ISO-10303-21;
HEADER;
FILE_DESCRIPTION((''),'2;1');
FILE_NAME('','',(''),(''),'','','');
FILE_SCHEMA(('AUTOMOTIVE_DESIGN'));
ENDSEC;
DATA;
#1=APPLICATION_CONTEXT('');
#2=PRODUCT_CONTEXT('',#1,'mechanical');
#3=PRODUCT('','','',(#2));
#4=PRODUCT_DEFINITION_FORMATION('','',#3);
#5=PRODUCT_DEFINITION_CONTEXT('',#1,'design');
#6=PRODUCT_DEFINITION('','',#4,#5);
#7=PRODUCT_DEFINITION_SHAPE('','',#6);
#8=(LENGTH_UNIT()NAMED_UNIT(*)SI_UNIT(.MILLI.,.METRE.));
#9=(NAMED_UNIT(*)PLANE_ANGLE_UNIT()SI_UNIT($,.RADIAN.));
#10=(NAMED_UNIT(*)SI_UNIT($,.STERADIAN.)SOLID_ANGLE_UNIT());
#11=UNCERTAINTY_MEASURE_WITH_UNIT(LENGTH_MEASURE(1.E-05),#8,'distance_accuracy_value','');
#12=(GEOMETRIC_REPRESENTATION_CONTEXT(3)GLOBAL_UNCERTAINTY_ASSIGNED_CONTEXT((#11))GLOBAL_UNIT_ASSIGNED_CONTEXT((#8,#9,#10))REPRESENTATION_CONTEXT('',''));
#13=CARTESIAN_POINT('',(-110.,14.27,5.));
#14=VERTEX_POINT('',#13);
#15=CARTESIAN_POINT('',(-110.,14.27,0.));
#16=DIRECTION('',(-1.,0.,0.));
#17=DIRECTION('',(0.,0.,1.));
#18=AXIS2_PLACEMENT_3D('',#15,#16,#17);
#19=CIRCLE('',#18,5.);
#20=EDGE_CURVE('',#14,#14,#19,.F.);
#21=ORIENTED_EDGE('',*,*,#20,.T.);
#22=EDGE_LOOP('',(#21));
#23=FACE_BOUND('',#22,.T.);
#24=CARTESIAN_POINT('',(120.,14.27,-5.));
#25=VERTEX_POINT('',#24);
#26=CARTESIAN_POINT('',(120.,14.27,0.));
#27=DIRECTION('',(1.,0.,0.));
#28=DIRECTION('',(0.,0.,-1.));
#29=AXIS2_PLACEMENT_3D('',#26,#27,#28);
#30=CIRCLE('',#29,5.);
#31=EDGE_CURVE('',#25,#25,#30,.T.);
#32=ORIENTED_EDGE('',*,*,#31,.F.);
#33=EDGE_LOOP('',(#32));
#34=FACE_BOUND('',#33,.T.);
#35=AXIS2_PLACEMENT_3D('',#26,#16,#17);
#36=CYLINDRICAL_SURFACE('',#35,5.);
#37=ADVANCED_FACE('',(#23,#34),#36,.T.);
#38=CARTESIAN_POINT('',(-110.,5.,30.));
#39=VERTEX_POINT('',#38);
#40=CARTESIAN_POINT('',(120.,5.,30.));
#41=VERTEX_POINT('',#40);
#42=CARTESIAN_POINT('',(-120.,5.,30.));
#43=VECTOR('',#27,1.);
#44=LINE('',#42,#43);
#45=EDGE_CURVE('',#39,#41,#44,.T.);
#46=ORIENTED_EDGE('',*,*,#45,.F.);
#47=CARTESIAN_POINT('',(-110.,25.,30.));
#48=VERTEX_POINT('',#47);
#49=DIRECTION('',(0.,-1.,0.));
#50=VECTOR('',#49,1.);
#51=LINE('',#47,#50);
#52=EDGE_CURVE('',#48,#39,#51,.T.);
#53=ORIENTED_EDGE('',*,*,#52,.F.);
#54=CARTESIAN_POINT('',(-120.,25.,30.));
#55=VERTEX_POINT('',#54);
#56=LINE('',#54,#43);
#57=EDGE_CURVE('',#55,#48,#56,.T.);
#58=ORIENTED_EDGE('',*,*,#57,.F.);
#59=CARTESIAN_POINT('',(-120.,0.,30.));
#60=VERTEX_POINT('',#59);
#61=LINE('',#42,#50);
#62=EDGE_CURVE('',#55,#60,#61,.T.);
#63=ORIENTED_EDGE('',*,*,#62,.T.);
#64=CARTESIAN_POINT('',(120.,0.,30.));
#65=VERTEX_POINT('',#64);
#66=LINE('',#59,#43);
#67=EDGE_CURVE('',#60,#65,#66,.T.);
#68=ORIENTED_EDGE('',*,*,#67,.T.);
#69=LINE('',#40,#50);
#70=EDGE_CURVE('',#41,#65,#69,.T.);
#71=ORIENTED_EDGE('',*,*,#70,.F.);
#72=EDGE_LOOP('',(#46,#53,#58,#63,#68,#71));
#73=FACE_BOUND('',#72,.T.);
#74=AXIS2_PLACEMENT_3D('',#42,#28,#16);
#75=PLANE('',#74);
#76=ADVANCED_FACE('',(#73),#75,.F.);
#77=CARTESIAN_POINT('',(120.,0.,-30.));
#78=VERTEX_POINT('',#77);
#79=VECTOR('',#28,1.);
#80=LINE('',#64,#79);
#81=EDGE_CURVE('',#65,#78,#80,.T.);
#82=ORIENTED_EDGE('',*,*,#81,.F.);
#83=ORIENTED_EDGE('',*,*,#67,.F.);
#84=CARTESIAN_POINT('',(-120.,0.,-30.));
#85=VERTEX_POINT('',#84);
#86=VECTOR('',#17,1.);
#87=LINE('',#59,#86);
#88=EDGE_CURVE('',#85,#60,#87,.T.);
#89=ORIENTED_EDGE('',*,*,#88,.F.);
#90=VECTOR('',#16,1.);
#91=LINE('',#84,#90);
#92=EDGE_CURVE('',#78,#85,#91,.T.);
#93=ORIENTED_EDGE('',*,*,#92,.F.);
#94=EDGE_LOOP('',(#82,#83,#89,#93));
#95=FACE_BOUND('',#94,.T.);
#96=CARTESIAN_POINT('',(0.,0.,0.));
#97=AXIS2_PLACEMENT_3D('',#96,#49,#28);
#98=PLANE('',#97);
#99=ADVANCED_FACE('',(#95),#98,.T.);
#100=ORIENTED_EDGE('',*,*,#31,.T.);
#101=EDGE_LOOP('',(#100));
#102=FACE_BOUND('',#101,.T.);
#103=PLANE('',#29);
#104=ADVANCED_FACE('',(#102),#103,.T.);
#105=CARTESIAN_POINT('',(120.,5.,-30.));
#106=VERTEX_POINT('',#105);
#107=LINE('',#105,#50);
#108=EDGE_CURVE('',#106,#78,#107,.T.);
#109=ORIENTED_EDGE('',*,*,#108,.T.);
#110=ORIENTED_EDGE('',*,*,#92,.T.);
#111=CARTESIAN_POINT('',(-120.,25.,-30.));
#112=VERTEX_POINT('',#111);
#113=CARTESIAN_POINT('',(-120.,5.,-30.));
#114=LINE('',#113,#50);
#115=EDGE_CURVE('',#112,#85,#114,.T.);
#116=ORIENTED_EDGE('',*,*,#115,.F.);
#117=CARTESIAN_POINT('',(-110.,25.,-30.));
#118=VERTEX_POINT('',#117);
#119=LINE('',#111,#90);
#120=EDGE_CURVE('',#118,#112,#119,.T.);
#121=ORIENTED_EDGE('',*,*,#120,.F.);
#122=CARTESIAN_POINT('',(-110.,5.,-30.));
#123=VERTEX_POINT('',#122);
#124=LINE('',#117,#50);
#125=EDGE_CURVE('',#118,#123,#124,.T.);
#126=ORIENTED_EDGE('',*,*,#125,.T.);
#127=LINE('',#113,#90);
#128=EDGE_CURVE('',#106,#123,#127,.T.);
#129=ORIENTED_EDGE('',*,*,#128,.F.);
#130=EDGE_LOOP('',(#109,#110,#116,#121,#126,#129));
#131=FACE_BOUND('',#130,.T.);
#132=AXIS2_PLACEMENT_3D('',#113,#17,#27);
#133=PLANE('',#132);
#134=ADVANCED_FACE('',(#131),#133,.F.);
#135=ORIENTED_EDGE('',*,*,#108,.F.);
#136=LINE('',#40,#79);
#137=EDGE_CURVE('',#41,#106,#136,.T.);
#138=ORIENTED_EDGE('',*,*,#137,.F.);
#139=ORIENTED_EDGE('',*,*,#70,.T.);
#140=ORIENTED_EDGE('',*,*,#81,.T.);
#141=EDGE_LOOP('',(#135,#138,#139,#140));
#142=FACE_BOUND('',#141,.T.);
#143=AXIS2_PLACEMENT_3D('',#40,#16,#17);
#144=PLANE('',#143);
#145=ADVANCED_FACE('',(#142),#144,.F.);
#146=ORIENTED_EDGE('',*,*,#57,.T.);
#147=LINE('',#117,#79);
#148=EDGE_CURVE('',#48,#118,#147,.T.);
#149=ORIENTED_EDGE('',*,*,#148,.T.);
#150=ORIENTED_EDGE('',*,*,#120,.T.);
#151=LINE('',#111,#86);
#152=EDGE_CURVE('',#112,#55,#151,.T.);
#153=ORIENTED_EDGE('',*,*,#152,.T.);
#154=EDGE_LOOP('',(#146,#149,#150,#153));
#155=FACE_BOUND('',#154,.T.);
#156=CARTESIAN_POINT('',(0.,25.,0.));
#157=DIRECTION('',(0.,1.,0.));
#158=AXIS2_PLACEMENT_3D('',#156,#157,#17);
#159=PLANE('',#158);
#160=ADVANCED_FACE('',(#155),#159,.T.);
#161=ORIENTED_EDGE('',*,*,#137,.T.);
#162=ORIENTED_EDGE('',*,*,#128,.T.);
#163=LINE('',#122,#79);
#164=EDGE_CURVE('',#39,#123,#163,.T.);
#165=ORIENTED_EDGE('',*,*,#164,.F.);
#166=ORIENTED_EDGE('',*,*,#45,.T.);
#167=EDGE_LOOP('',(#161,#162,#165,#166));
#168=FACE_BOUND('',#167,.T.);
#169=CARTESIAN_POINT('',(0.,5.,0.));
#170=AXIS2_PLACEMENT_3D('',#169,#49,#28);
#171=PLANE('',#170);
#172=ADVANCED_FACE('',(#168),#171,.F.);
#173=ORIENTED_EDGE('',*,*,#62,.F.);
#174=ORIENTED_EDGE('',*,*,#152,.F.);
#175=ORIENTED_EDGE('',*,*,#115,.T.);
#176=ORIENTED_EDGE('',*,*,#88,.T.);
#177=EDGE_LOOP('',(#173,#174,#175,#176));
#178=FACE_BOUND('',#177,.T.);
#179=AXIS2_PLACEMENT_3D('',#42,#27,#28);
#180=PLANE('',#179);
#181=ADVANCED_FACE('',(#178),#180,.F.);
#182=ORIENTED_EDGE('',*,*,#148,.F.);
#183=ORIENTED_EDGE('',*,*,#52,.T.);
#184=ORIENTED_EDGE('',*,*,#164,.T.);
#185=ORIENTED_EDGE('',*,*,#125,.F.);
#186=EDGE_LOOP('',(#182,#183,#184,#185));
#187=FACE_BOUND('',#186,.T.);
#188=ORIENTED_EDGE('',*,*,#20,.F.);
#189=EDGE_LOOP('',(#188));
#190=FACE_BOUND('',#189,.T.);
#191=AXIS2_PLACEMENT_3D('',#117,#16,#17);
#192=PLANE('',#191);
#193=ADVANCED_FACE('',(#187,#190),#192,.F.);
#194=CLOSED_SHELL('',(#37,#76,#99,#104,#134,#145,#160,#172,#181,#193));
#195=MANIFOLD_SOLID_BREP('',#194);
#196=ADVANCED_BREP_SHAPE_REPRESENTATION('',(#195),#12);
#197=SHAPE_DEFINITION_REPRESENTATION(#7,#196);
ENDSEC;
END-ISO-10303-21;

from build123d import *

# Parameters (mm, degrees)
SKETCH1_W           = 240
SKETCH1_H           = 60
BOSS_EXTRUDE1_DEPTH = 5
SKETCH2_W           = 10
SKETCH2_H           = 60
BOSS_EXTRUDE2_DEPTH = 20
SKETCH3_R           = 5
BOSS_EXTRUDE3_DEPTH = 230


with BuildPart() as part:
    # Sketch1 → Boss-Extrude1 (new body)
    with BuildSketch(Plane(origin=(0, 0, 0), x_dir=(1, 0, 0), z_dir=(0, 1, 0))):
        Rectangle(SKETCH1_W, SKETCH1_H)
    extrude(amount=BOSS_EXTRUDE1_DEPTH)

    # Sketch2 → Boss-Extrude2 (add)
    with BuildSketch(Plane(origin=(0, 5, 0), x_dir=(1, 0, 0), z_dir=(0, 1, 0))):
        with Locations((-115, 0)):
            Rectangle(SKETCH2_W, SKETCH2_H)
    extrude(amount=BOSS_EXTRUDE2_DEPTH)

    # Sketch3 → Boss-Extrude3 (add, through all)
    with BuildSketch(Plane(origin=(-110, 0, 0), x_dir=(0, 0, -1), z_dir=(1, 0, 0))):
        with Locations(Location((0, 14.27, 0), (0, 0, 180))):
            Circle(SKETCH3_R)
    extrude(amount=BOSS_EXTRUDE3_DEPTH)


solid = part.part
